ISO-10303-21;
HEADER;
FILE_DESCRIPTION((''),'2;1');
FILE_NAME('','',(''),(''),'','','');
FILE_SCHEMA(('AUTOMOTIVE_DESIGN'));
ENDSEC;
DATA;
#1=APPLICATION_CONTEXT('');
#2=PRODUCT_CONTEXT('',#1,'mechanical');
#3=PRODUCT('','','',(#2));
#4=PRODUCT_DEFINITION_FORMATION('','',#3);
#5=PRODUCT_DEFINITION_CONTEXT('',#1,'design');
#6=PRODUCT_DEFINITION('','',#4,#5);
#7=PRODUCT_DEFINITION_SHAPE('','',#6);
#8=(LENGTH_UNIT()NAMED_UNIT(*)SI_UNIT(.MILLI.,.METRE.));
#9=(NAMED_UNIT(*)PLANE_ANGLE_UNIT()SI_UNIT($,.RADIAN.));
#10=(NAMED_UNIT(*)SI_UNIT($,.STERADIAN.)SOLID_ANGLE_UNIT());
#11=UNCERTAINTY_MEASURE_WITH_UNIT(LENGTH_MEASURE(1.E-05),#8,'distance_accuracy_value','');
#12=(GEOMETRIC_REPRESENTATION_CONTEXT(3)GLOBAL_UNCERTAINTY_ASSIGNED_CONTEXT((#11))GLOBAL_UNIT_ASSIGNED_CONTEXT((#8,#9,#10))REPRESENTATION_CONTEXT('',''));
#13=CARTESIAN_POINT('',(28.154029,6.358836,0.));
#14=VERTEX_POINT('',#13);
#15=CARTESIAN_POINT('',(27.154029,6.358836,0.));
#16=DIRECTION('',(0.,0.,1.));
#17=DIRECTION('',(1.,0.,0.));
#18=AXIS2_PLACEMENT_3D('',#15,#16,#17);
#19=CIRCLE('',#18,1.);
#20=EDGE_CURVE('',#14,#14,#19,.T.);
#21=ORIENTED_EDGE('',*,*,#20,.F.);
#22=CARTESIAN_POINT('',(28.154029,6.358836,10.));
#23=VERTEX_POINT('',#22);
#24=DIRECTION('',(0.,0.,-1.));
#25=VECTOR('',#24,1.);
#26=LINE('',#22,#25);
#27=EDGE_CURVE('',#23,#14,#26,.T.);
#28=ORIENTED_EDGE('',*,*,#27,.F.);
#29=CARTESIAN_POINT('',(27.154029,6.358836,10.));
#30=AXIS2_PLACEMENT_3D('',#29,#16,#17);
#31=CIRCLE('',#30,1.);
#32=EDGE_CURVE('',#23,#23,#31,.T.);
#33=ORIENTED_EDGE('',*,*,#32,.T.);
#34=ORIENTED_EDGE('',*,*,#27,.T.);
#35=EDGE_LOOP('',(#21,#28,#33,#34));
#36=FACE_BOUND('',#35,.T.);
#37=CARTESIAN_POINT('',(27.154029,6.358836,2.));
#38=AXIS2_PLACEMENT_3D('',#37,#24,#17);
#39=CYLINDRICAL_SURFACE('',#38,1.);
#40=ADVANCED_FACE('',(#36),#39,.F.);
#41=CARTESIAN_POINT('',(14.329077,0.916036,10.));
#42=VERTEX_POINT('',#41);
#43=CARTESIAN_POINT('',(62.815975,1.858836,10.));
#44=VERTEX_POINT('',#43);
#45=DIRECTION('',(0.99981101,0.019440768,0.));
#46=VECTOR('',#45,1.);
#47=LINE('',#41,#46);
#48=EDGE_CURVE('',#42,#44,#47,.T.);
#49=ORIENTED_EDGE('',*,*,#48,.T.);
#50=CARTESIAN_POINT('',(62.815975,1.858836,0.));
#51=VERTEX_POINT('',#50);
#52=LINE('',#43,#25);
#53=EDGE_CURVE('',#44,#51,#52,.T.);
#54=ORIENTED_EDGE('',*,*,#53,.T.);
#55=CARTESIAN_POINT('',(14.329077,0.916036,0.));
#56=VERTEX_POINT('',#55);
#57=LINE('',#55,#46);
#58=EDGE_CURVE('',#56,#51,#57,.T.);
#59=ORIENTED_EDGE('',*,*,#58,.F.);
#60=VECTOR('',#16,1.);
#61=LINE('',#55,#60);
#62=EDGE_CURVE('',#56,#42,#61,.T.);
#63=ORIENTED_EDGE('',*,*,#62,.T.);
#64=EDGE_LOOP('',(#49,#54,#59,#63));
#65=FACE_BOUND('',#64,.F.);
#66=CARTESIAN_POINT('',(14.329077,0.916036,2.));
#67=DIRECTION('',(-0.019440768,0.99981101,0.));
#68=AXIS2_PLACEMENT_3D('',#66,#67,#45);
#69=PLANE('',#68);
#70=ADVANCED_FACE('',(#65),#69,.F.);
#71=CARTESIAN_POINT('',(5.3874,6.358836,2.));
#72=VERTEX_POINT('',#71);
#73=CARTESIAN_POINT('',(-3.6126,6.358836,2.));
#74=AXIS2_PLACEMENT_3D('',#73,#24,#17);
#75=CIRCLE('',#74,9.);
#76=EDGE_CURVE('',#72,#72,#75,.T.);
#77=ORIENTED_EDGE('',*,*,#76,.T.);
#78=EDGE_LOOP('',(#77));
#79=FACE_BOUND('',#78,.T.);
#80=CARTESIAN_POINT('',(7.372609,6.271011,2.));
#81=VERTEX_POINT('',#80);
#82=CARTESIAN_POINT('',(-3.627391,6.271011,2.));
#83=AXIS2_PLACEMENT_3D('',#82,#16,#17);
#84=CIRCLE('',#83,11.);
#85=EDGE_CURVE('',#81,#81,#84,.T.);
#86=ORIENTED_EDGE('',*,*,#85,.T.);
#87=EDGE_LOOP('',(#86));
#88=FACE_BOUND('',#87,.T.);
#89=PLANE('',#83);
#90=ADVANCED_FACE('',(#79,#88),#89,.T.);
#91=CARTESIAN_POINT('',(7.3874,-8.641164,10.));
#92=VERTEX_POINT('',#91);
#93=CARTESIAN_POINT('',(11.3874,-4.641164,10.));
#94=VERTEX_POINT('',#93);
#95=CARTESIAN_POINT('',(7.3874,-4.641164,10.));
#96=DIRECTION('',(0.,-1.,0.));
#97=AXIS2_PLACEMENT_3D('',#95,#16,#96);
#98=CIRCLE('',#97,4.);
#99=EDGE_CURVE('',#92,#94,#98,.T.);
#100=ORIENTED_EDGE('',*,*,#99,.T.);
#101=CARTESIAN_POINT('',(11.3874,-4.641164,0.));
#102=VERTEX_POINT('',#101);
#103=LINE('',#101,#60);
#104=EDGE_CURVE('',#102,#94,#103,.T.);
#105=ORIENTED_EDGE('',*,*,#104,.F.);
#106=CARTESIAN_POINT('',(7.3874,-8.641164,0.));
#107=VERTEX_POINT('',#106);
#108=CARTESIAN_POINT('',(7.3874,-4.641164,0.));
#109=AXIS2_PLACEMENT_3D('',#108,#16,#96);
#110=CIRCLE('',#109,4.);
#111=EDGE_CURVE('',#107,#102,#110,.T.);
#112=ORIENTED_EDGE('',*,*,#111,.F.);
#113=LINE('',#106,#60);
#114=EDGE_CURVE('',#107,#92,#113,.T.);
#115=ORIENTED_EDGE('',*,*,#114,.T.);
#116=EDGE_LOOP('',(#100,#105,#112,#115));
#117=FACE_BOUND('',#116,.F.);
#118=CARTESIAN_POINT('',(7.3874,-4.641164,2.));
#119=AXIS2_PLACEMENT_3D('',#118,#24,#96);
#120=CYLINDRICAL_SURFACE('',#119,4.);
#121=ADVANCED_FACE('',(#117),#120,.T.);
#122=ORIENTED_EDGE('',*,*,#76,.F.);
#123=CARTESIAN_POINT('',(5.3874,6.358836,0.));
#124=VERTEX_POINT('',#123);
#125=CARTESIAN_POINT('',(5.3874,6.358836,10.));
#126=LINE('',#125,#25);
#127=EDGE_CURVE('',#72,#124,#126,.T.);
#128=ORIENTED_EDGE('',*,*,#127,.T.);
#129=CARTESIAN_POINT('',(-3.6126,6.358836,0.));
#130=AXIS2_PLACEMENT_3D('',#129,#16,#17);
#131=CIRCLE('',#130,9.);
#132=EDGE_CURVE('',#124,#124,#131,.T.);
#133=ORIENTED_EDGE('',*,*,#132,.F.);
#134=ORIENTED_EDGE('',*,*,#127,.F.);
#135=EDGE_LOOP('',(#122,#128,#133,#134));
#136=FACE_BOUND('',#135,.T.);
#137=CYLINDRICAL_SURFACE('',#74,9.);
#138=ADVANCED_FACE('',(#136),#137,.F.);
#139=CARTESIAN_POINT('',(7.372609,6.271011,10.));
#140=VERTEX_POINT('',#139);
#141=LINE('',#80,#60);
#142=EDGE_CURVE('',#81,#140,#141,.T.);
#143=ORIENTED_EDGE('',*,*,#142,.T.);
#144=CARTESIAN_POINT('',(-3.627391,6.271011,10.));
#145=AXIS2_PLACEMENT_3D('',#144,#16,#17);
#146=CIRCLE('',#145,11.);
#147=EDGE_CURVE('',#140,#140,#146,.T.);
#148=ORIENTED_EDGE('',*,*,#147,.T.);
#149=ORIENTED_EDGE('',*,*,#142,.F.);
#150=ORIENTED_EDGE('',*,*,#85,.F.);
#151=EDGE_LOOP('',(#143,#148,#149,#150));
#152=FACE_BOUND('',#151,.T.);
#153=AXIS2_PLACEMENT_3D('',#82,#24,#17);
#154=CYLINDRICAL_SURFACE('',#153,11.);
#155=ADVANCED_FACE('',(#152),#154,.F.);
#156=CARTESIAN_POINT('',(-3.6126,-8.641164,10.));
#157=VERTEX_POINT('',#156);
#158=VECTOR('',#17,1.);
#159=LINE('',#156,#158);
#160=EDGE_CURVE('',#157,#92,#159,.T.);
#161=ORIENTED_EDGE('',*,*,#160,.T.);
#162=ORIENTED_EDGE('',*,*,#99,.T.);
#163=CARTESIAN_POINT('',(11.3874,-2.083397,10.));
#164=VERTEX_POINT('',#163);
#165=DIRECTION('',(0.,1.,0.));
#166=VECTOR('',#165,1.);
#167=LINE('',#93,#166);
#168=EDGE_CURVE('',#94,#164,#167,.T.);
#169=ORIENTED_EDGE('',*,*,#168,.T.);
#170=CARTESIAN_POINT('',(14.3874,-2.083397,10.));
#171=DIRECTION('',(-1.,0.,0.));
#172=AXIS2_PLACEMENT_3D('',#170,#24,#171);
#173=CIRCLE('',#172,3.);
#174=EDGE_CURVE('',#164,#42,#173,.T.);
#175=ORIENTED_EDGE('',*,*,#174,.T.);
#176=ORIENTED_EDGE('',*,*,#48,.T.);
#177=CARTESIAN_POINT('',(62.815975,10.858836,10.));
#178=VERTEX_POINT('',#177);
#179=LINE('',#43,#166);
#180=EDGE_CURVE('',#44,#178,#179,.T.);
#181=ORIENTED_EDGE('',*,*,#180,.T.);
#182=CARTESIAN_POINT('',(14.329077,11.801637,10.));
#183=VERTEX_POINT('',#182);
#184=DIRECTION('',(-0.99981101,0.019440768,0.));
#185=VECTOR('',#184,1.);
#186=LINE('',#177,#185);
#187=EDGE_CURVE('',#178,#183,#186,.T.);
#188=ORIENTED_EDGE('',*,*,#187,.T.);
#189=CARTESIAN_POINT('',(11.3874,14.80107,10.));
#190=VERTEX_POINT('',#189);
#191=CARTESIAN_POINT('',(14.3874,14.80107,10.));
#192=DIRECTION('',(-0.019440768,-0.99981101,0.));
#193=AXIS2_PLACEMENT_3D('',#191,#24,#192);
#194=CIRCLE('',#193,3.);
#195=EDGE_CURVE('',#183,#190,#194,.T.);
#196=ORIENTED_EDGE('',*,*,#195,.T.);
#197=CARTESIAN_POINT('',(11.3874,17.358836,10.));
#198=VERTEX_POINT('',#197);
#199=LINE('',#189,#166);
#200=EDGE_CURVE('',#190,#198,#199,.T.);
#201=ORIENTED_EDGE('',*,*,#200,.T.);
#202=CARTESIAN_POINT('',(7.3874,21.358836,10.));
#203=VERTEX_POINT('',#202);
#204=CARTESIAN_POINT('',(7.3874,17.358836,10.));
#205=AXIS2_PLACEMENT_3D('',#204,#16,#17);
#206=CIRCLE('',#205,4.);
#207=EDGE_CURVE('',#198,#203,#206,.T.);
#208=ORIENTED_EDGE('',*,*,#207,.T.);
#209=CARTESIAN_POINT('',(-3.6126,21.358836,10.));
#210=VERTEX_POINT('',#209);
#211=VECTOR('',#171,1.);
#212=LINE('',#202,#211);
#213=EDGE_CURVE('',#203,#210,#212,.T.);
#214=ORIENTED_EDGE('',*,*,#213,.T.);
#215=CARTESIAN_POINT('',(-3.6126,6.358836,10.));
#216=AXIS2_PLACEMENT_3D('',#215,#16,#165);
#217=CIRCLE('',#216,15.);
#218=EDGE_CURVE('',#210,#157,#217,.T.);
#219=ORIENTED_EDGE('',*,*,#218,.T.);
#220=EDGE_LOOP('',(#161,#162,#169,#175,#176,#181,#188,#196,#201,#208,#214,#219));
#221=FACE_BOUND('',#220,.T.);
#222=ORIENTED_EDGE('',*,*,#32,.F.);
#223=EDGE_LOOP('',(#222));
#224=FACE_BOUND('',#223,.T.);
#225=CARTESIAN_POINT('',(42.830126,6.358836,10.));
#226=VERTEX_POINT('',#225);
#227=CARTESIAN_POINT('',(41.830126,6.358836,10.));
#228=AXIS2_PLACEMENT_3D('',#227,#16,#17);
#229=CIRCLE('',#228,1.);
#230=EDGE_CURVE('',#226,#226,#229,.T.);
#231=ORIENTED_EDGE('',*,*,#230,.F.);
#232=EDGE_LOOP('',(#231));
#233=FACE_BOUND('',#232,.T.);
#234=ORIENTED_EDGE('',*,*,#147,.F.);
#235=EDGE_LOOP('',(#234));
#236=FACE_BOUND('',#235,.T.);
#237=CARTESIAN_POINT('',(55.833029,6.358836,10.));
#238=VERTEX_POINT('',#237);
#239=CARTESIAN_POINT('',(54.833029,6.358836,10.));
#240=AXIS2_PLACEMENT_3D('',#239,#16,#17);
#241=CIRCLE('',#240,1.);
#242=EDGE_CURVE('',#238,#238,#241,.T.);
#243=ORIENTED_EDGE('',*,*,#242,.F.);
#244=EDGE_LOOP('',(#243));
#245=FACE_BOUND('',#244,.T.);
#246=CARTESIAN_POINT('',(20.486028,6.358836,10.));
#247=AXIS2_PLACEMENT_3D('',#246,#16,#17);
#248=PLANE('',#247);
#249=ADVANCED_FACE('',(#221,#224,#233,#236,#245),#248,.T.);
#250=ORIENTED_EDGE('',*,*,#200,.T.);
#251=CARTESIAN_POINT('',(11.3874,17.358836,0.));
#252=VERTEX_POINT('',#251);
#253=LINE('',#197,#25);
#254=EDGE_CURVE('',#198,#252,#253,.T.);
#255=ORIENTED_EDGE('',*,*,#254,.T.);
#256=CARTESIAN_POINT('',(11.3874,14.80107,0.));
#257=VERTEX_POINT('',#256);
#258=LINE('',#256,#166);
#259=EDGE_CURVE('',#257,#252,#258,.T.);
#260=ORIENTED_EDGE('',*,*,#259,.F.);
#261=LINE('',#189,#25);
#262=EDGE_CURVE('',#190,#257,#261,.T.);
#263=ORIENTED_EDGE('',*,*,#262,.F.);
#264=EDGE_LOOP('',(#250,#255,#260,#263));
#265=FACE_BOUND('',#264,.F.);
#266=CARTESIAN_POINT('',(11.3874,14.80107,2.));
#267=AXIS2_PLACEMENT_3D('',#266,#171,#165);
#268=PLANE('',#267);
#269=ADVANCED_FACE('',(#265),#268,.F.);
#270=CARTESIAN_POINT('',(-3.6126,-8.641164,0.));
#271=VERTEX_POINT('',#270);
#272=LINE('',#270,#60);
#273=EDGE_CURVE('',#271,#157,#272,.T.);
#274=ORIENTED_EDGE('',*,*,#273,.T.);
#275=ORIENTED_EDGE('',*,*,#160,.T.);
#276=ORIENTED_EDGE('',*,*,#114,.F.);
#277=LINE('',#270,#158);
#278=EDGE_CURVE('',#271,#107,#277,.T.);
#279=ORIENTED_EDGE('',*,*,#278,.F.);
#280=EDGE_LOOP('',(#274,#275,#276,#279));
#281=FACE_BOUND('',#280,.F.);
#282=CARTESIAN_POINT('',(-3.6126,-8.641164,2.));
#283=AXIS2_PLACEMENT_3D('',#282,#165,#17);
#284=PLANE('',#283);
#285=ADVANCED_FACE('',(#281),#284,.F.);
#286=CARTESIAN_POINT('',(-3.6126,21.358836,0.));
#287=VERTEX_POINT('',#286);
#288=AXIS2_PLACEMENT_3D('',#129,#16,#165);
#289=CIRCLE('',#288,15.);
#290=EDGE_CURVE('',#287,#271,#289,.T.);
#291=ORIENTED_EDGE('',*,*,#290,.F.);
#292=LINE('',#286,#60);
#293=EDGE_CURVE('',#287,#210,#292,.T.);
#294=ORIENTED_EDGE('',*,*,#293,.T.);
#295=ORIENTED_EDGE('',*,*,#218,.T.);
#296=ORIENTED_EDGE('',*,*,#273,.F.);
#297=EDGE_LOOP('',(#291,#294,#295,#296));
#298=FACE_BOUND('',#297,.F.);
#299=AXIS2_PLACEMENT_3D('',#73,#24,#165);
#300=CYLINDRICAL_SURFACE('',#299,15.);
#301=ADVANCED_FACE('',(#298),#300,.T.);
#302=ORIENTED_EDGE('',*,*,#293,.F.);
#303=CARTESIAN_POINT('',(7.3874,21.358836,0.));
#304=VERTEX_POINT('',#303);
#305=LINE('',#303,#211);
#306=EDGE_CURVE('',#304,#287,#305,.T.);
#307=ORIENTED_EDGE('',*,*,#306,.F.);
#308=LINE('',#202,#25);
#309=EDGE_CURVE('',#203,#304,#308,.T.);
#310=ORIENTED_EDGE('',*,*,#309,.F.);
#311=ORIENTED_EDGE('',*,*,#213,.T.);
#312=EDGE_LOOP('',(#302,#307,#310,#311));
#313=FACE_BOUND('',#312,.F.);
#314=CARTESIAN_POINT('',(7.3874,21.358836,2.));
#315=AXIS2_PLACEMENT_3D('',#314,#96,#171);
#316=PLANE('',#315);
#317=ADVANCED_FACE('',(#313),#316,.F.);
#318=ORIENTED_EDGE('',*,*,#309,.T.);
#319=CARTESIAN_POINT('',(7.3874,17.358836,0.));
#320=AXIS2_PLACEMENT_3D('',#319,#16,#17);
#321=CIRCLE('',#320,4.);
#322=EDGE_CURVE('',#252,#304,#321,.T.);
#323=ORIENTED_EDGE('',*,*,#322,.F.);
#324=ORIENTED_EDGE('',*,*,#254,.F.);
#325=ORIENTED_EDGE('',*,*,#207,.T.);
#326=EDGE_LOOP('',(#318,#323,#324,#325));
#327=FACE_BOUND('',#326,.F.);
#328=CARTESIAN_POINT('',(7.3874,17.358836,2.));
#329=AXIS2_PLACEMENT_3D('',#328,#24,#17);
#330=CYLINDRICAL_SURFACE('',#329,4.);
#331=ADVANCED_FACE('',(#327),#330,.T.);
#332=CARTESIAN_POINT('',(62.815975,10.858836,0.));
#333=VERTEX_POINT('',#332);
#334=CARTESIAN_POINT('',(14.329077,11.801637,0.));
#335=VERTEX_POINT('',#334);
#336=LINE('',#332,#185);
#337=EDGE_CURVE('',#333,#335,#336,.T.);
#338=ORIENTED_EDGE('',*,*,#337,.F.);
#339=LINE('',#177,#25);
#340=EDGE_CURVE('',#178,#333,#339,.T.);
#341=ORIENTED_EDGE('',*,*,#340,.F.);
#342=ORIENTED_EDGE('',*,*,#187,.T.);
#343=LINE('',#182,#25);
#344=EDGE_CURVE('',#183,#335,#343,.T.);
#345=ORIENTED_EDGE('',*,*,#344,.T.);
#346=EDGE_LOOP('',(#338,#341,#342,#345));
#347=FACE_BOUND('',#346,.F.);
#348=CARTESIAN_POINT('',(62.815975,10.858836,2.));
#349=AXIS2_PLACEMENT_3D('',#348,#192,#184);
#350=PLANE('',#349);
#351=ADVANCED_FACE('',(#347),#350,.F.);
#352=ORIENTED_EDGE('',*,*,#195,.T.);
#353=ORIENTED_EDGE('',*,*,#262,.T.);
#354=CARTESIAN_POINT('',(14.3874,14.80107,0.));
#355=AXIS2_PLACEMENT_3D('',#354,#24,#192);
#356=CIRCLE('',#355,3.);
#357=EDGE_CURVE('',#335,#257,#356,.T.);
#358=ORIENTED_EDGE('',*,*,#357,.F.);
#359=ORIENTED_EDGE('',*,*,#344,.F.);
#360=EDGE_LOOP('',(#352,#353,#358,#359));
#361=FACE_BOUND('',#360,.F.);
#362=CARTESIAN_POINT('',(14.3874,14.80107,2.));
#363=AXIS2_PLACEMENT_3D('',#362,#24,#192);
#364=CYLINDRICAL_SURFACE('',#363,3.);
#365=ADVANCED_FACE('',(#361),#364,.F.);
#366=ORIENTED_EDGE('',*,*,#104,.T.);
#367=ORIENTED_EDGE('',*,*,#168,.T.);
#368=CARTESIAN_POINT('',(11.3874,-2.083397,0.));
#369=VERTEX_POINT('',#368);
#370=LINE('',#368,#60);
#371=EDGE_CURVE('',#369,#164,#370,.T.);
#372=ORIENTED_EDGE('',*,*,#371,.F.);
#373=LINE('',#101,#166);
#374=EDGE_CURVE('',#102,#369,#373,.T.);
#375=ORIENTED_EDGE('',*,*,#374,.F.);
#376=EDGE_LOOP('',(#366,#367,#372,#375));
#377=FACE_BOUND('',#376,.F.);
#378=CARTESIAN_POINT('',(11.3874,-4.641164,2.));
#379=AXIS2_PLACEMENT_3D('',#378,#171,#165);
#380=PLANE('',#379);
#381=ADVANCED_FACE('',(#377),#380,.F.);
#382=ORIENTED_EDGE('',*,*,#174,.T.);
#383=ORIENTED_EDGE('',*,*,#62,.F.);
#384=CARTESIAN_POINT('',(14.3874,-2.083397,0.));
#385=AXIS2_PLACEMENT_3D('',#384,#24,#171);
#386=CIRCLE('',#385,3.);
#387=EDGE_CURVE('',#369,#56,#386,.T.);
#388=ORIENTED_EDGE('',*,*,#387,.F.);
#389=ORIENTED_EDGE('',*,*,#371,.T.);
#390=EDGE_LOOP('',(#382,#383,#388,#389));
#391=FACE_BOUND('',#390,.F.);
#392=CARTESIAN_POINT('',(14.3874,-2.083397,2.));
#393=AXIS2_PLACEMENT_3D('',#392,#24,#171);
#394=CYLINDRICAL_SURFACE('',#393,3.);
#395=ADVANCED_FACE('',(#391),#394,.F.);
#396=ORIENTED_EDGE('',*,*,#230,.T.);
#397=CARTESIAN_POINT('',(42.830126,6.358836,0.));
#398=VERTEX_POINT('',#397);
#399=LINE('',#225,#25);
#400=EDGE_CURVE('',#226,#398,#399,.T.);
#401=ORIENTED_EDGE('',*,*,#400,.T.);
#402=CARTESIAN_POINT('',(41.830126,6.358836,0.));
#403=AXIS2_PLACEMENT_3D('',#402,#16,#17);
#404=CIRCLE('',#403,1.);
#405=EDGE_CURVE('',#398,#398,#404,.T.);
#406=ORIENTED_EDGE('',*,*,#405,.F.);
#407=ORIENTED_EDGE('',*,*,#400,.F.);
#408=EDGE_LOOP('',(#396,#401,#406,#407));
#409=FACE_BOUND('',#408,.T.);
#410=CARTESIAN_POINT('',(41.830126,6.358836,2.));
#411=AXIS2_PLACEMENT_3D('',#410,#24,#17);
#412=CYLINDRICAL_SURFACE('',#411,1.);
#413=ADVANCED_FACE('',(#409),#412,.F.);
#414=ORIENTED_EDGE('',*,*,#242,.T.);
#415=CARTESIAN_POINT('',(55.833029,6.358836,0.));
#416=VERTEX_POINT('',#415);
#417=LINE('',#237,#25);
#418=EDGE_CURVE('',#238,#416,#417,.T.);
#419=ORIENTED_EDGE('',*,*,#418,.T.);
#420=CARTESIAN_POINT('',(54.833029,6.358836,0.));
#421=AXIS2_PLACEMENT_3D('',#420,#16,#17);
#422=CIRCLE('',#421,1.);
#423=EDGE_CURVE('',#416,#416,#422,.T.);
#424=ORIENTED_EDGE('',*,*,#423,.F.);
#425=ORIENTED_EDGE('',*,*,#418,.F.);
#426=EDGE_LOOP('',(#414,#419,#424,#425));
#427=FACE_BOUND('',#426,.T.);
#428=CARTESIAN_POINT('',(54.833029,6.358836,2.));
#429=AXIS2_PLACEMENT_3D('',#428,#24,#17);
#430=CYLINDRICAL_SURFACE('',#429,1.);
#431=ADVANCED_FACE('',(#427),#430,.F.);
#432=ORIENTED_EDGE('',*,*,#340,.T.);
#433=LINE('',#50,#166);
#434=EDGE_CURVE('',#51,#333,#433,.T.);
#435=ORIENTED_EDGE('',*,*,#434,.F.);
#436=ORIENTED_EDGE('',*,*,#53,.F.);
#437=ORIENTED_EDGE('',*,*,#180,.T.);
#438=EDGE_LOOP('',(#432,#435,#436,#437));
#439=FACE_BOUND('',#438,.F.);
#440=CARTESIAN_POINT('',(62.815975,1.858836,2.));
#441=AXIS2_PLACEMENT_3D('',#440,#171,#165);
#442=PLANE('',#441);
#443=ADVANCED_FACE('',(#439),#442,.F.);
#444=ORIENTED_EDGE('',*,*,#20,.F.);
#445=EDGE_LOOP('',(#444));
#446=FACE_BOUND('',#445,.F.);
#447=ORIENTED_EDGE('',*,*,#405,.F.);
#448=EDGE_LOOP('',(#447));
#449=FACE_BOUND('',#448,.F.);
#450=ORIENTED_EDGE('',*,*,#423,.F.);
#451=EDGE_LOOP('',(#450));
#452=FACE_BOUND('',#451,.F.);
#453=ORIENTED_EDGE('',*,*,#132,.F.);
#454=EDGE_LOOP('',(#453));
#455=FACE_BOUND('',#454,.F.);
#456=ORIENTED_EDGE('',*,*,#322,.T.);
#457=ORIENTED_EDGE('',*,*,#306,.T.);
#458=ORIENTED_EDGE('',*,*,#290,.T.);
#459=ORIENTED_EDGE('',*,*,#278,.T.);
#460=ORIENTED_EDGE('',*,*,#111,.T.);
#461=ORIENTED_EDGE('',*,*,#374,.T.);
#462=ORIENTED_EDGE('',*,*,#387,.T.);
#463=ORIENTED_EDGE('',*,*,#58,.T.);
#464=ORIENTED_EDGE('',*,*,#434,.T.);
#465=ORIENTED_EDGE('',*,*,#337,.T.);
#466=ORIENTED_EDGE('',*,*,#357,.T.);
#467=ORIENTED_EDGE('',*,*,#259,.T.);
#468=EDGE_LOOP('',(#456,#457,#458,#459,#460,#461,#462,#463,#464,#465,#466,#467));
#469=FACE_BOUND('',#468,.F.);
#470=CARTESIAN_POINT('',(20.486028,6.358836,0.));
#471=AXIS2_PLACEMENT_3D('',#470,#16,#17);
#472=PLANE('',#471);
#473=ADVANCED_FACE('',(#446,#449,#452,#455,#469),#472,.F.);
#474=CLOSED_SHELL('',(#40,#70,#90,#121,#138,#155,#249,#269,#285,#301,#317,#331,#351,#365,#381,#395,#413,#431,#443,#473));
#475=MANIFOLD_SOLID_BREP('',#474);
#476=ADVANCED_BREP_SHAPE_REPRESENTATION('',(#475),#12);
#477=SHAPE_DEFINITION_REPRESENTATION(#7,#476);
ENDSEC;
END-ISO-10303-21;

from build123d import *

# Parameters (mm, degrees)
F0_R     = 9
F0_R_2   = 1
F1_DEPTH = 2
F4_DEPTH = 8
F3_R     = 11
F5_DEPTH = 8


with BuildPart() as f1:
    # F0 (on Top) → F1 (new body)
    with BuildSketch(Plane.XY):
        with BuildLine():
            Line((7.3873995355, 21.3588363291), (-3.6126004645, 21.3588363291))
            ThreePointArc((-3.6126004645, 21.3588363291), (-14.2192021823, 16.9654380469), (-18.6126004645, 6.3588363291))
            ThreePointArc((-18.6126004645, 6.3588363291), (-14.2192021823, -4.2477653887), (-3.6126004645, -8.6411636709))
            Line((-3.6126004645, -8.6411636709), (7.3873995355, -8.6411636709))
            ThreePointArc((7.3873995355, -8.6411636709), (10.2158266602, -7.4695907956), (11.3873995355, -4.6411636709))
            Line((11.3873995355, -4.6411636709), (11.3873995355, -2.0833974181))
            ThreePointArc((11.3873995355, -2.0833974181), (12.2455583984, 0.0172016735), (14.3290772311, 0.9160356132))
            Line((14.3290772311, 0.9160356132), (62.8159749994, 1.8588363291))
            Line((62.8159749994, 1.8588363291), (62.8159749994, 10.8588363291))
            Line((62.8159749994, 10.8588363291), (14.3290772311, 11.8016370451))
            ThreePointArc((14.3290772311, 11.8016370451), (12.2455583984, 12.7004709848), (11.3873995355, 14.8010700763))
            Line((11.3873995355, 14.8010700763), (11.3873995355, 17.3588363291))
            ThreePointArc((11.3873995355, 17.3588363291), (10.2158266602, 20.1872634539), (7.3873995355, 21.3588363291))
        make_face()
        with Locations((-3.6126004645, 6.3588363291)):
            Circle(F0_R, mode=Mode.SUBTRACT)
        with Locations((27.1540286045, 6.3588363291)):
            Circle(F0_R_2, mode=Mode.SUBTRACT)
        with Locations((41.830126385, 6.3588363291)):
            Circle(F0_R_2, mode=Mode.SUBTRACT)
        with Locations((54.8330286544, 6.3588363291)):
            Circle(F0_R_2, mode=Mode.SUBTRACT)
    extrude(amount=F1_DEPTH)

    # F4 (add): a face of the model
    f4_faces = [f1.faces().sort_by_distance(p)[0] for p in [
        (16.5282103985, 6.3588363291, 2),
    ]]
    extrude(f4_faces, amount=F4_DEPTH)

    # F3 (on offset) → F5 (cut)
    with BuildSketch(Plane.XY.offset(2)):
        with Locations((-3.6273910664, 6.2710107304)):
            Circle(F3_R)
    extrude(amount=F5_DEPTH, mode=Mode.SUBTRACT)


solid = f1.part
